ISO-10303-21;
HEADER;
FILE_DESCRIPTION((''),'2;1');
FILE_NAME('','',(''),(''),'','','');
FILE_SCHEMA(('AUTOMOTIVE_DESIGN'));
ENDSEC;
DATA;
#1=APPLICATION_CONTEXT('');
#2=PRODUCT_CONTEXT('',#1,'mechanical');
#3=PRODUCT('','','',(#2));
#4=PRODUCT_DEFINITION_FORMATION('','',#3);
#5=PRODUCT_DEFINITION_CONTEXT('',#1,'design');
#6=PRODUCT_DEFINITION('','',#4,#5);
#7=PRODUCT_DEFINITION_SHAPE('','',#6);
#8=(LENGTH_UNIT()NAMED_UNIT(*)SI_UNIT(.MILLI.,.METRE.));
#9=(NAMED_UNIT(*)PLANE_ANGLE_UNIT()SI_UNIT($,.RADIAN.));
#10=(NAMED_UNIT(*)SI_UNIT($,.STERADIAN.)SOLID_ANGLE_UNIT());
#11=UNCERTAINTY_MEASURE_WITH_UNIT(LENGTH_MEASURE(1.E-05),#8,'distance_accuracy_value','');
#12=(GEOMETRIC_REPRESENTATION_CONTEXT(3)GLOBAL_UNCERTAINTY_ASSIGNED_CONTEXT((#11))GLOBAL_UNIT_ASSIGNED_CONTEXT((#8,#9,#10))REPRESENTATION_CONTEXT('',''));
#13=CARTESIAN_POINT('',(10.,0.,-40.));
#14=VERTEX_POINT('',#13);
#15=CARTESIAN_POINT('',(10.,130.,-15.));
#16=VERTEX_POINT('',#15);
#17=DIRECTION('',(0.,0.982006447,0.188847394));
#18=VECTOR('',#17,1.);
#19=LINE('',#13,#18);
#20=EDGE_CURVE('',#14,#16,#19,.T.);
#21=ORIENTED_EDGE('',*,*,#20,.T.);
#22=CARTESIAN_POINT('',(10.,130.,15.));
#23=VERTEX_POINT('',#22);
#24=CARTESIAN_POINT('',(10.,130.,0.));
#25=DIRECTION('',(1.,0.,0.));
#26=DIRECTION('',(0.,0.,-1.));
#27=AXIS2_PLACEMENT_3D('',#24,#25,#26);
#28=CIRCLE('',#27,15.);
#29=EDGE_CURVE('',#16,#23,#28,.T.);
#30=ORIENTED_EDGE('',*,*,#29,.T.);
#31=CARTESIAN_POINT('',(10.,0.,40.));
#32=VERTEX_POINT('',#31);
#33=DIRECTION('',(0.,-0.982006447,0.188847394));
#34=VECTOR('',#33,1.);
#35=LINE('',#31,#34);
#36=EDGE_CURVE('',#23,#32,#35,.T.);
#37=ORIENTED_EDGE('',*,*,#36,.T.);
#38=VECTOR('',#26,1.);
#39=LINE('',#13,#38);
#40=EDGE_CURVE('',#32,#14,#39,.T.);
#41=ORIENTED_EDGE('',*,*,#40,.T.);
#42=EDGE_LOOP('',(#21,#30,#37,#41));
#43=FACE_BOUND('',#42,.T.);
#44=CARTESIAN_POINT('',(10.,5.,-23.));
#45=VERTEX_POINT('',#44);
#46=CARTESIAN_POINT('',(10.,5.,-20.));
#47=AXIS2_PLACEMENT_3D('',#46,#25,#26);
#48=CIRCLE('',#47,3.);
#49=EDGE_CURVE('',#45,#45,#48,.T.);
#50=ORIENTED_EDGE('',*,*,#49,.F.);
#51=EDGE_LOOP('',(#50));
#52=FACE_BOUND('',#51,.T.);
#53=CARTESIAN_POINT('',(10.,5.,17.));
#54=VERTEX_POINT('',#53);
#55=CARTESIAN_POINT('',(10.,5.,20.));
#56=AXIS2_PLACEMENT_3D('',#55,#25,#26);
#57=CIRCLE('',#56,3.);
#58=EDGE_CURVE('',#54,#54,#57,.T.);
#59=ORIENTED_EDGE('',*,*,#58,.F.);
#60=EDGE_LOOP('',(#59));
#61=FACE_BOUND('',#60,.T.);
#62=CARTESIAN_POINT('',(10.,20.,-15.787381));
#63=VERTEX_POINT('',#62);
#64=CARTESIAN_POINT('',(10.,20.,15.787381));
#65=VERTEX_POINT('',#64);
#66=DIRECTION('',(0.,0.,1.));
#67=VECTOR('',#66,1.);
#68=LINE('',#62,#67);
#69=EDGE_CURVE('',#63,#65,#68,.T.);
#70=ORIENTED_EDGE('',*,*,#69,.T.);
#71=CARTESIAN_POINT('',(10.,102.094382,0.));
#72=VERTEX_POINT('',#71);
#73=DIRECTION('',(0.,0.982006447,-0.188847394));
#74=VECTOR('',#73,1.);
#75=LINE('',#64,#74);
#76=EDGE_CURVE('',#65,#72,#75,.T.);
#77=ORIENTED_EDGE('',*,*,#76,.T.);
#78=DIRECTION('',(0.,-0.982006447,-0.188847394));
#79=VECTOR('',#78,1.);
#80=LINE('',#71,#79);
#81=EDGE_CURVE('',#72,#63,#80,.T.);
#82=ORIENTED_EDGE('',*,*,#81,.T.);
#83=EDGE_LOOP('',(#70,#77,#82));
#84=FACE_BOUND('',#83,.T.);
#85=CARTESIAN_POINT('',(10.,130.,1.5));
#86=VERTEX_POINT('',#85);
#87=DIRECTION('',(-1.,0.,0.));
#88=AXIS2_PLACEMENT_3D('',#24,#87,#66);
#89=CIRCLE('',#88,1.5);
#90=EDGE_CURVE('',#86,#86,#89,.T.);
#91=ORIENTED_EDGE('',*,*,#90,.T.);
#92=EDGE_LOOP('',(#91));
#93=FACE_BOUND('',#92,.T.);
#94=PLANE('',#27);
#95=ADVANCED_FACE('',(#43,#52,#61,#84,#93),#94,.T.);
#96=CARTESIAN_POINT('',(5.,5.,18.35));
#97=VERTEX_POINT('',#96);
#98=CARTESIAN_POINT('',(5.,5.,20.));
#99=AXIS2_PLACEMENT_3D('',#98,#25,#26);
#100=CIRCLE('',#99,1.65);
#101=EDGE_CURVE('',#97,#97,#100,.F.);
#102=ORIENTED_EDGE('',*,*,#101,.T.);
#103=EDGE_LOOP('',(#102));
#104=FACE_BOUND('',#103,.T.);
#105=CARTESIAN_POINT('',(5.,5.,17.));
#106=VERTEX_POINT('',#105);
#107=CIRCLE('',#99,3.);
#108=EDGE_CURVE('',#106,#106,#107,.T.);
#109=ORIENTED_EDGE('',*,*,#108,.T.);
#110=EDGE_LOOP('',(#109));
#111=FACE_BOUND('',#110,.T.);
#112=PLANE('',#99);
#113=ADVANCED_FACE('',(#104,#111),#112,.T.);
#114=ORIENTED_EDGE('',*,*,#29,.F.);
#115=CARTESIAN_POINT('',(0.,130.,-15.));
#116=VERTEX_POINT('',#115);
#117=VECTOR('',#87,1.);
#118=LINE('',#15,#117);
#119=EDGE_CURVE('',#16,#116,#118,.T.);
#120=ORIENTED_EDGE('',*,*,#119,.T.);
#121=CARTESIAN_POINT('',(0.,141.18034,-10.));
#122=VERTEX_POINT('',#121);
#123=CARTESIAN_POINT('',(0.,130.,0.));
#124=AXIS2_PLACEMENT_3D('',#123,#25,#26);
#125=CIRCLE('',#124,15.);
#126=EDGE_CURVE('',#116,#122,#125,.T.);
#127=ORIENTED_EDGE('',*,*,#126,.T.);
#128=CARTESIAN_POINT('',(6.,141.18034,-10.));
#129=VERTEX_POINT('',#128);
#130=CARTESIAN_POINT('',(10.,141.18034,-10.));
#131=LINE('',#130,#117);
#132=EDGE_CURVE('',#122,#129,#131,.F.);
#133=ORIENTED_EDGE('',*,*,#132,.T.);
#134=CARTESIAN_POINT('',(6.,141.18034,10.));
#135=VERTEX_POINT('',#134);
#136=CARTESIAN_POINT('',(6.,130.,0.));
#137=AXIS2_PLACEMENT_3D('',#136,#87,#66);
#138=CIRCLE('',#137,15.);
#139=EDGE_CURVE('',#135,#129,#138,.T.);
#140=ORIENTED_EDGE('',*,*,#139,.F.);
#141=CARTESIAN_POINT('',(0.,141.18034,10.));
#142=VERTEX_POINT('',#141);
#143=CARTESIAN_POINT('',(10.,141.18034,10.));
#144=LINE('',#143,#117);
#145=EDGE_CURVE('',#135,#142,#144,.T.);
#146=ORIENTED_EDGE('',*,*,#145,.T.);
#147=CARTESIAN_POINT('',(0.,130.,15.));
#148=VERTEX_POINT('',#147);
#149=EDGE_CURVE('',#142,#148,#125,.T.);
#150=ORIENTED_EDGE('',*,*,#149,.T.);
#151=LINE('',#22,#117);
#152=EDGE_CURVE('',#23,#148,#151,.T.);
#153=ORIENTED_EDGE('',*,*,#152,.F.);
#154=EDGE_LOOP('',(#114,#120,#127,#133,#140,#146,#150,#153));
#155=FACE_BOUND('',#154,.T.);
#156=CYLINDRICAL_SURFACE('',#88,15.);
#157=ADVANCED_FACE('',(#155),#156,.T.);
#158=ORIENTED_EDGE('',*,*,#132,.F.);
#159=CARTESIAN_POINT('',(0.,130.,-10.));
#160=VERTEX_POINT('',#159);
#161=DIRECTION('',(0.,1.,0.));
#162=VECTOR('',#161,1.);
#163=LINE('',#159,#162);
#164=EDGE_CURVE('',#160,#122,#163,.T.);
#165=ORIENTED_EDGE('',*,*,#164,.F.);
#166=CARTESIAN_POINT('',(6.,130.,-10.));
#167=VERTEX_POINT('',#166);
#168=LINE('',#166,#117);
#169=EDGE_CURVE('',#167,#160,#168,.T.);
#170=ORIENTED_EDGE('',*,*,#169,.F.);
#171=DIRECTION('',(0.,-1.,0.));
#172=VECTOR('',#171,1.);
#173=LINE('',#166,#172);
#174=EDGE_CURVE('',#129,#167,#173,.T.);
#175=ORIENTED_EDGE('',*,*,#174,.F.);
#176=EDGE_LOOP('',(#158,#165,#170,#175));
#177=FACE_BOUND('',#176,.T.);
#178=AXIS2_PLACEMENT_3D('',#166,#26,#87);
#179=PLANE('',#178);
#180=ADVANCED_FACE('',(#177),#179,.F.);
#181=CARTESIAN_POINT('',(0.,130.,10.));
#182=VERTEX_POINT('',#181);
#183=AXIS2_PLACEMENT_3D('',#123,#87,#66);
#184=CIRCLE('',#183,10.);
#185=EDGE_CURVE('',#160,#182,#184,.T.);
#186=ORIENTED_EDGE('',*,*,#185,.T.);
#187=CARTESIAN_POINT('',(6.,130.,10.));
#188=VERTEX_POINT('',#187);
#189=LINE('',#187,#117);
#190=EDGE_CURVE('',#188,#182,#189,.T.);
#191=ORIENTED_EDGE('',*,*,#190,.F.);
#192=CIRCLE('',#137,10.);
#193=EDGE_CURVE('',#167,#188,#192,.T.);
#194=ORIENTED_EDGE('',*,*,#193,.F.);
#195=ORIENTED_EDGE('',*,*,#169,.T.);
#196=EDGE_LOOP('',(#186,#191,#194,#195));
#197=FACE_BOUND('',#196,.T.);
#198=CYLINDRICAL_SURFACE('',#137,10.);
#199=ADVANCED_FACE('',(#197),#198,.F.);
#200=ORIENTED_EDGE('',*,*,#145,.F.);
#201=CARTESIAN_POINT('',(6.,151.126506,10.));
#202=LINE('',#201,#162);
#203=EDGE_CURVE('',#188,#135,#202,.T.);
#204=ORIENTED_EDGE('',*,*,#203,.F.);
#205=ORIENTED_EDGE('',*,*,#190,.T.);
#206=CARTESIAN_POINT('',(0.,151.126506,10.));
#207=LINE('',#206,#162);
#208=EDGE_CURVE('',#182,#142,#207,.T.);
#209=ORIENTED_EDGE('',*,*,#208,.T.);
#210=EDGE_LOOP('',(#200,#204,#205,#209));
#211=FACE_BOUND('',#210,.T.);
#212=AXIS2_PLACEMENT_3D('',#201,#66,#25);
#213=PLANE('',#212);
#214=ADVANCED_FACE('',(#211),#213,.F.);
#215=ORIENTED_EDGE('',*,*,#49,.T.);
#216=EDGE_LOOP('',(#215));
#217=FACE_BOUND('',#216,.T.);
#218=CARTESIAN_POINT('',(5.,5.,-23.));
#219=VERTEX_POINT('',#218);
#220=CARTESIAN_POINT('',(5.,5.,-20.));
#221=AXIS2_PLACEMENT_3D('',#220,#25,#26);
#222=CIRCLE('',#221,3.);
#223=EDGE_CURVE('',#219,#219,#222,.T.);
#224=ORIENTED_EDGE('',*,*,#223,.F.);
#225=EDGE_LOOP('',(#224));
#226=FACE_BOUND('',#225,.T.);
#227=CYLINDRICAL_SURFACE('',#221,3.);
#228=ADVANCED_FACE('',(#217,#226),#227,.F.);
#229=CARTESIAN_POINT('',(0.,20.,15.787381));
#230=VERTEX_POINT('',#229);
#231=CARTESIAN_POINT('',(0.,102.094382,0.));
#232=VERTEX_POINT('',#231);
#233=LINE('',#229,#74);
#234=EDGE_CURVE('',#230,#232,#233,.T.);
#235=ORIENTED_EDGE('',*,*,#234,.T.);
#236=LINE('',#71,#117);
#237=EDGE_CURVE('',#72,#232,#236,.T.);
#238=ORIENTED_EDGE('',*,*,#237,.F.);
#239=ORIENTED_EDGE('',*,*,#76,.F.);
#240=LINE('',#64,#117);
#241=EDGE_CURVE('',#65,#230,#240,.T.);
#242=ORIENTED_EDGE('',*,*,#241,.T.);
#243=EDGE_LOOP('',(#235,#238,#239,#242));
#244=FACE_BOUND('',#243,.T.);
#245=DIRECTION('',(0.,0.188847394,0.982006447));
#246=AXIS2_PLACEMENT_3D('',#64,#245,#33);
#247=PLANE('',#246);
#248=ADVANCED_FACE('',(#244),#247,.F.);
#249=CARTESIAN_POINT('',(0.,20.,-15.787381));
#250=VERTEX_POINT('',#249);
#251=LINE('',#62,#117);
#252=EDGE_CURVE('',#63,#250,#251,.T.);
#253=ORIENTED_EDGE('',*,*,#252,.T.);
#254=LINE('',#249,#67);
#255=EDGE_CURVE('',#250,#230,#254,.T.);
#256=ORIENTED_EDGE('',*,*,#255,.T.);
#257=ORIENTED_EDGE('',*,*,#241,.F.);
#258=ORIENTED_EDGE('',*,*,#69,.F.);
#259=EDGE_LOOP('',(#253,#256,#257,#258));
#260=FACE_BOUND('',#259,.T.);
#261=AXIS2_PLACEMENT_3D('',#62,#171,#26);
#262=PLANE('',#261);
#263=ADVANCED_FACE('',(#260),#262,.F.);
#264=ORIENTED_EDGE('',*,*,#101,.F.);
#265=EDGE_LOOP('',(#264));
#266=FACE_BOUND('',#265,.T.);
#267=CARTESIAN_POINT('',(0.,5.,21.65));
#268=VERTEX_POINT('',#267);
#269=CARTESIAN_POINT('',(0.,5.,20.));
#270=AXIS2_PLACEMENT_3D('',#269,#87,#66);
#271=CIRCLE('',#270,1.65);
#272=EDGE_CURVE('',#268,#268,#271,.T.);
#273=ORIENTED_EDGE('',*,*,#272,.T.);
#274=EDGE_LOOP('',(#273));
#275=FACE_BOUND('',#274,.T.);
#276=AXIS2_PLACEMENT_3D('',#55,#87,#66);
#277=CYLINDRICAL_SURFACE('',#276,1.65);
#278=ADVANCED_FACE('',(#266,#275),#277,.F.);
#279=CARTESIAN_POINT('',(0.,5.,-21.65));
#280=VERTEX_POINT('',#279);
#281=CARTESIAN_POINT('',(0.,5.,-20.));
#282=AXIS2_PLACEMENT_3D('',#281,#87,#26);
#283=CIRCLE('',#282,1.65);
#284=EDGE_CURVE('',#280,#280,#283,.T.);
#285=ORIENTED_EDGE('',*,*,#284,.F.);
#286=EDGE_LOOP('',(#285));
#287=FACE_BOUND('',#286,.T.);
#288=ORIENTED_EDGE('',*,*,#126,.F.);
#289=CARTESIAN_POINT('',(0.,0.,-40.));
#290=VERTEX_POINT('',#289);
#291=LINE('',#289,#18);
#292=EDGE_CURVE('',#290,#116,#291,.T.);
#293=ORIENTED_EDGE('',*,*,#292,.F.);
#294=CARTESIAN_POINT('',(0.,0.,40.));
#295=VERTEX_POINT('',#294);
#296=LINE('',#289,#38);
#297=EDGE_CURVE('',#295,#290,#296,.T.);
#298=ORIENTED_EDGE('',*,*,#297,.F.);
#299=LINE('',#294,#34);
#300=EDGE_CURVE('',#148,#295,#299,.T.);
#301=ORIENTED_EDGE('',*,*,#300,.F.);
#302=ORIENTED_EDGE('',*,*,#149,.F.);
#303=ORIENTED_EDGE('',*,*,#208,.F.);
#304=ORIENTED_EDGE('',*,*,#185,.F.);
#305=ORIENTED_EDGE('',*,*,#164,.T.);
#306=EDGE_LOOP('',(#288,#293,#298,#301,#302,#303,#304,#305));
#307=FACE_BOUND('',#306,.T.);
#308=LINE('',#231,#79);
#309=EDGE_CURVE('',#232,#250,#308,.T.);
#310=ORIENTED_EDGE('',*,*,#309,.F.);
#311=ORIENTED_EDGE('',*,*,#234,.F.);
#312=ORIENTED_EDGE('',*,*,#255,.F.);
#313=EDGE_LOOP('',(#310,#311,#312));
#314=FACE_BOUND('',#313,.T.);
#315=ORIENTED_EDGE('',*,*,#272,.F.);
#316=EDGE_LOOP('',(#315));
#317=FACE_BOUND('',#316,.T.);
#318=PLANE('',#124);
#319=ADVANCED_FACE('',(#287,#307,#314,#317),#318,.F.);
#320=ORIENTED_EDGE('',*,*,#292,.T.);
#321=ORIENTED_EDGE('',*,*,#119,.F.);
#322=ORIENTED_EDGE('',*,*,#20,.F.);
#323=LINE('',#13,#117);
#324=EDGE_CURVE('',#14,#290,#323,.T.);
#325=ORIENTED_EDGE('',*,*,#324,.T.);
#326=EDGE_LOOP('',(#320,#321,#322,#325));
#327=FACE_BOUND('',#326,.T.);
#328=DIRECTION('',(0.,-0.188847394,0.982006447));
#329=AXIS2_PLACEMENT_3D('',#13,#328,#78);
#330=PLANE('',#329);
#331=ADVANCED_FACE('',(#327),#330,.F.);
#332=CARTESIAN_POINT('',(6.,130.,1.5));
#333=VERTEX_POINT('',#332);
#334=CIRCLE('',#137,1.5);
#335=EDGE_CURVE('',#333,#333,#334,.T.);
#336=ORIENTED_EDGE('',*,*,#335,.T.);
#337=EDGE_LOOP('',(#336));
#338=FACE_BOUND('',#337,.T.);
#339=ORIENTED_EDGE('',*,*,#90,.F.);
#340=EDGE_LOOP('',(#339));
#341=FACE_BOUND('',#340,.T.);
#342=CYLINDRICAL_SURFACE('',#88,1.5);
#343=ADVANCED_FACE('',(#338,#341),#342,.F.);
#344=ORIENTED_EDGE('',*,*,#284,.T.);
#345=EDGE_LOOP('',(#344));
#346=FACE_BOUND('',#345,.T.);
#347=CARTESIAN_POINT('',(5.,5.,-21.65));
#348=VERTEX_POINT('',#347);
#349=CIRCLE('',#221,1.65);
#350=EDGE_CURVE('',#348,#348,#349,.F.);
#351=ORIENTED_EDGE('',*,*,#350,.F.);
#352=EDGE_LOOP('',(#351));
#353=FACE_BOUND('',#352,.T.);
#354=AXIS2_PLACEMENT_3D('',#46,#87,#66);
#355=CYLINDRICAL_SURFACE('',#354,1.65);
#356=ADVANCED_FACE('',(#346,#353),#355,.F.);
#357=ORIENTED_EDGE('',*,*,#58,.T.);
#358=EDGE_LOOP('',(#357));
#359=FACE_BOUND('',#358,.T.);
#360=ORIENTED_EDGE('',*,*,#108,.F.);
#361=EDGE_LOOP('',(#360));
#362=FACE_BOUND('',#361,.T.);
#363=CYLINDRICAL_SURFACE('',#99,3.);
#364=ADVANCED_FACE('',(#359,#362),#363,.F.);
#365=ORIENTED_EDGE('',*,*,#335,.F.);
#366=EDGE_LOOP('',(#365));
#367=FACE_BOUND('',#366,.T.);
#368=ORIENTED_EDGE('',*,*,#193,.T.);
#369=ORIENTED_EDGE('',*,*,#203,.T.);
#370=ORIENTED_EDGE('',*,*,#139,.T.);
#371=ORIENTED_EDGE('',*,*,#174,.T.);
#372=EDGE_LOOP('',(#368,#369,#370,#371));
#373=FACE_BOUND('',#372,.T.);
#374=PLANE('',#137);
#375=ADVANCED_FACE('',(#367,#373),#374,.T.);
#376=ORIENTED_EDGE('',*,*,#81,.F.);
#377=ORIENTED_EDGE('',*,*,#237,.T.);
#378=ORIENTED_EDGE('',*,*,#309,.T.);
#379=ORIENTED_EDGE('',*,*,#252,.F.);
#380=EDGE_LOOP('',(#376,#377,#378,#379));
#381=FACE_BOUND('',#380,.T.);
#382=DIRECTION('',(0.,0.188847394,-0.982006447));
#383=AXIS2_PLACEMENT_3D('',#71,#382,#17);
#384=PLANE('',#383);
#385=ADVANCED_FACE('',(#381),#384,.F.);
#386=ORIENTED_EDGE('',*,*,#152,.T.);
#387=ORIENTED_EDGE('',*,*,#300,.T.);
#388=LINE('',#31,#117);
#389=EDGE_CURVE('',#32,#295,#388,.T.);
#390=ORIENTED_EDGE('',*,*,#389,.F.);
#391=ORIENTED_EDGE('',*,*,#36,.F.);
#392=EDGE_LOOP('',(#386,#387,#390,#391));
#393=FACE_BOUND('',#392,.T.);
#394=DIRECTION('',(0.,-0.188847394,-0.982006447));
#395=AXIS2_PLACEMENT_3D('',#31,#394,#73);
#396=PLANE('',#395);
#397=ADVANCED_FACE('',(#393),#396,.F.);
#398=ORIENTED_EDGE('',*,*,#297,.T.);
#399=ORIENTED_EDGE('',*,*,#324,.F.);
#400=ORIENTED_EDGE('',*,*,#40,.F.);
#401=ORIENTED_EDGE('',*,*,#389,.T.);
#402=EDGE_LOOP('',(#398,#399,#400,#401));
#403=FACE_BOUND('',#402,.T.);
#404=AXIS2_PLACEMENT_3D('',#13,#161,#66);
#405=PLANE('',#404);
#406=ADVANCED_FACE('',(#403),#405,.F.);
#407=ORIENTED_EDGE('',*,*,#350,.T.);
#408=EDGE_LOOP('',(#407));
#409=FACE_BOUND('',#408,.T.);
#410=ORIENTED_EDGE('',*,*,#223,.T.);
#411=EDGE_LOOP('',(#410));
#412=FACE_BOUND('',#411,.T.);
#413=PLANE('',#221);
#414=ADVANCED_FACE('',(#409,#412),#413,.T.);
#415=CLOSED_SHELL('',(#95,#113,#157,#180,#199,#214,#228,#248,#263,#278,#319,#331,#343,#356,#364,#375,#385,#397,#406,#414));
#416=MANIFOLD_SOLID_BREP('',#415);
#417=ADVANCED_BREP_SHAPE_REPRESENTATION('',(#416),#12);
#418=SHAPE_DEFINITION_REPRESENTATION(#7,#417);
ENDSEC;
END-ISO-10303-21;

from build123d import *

# Parameters (mm, degrees)
BOSS_EXTRUDE1_DEPTH = 10
CUT_EXTRUDE1_DEPTH  = 6
SKETCH4_R           = 1.65
CUT_EXTRUDE2_DEPTH  = 11
SKETCH5_R           = 3
CUT_EXTRUDE3_DEPTH  = 5
SKETCH6_R           = 1.5
CUT_EXTRUDE4_DEPTH  = 5
CUT_EXTRUDE6_DEPTH  = 11


with BuildPart() as part:
    # Sketch2 → Boss-Extrude1 (new body)
    with BuildSketch(Plane(origin=(0, 0, 0), x_dir=(0, 0, -1), z_dir=(1, 0, 0))):
        with BuildLine():
            Line((40, 0), (-40, 0))
            Line((-40, 0), (-15, 130))
            ThreePointArc((-15, 130), (0, 145), (15, 130))
            Line((15, 130), (40, 0))
        make_face()
    extrude(amount=BOSS_EXTRUDE1_DEPTH)

    # Sketch3 → Cut-Extrude1 (cut)
    with BuildSketch(Plane.ZY):
        with BuildLine():
            Line((-10, 130), (-10, 151.126505972))
            Line((-10, 151.126505972), (10, 151.126505972))
            Line((10, 151.126505972), (10, 130))
            ThreePointArc((10, 130), (0, 120), (-10, 130))
        make_face()
    extrude(amount=-CUT_EXTRUDE1_DEPTH, mode=Mode.SUBTRACT)

    # Sketch4 → Cut-Extrude2 (cut, through all)
    with BuildSketch(Plane.ZY):
        with Locations((20, 5)):
            Circle(SKETCH4_R)
        with Locations((-20, 5)):
            Circle(SKETCH4_R)
    extrude(amount=-CUT_EXTRUDE2_DEPTH, mode=Mode.SUBTRACT)

    # Sketch5 → Cut-Extrude3 (cut)
    with BuildSketch(Plane(origin=(10, 0, 0), x_dir=(0, 0, -1), z_dir=(1, 0, 0))):
        with Locations((-20, 5)):
            Circle(SKETCH5_R)
        with Locations((20, 5)):
            Circle(SKETCH5_R)
    extrude(amount=-CUT_EXTRUDE3_DEPTH, mode=Mode.SUBTRACT)

    # Sketch6 → Cut-Extrude4 (cut, through all)
    with BuildSketch(Plane.ZY.offset(-6)):
        with Locations((0, 130)):
            Circle(SKETCH6_R)
    extrude(amount=-CUT_EXTRUDE4_DEPTH, mode=Mode.SUBTRACT)

    # Sketch7 → Cut-Extrude6 (cut, through all)
    with BuildSketch(Plane.ZY):
        Polygon((0, 102.094381641), (-15.787381085, 20), (15.787381085, 20), align=None)
    extrude(amount=-CUT_EXTRUDE6_DEPTH, mode=Mode.SUBTRACT)


solid = part.part
